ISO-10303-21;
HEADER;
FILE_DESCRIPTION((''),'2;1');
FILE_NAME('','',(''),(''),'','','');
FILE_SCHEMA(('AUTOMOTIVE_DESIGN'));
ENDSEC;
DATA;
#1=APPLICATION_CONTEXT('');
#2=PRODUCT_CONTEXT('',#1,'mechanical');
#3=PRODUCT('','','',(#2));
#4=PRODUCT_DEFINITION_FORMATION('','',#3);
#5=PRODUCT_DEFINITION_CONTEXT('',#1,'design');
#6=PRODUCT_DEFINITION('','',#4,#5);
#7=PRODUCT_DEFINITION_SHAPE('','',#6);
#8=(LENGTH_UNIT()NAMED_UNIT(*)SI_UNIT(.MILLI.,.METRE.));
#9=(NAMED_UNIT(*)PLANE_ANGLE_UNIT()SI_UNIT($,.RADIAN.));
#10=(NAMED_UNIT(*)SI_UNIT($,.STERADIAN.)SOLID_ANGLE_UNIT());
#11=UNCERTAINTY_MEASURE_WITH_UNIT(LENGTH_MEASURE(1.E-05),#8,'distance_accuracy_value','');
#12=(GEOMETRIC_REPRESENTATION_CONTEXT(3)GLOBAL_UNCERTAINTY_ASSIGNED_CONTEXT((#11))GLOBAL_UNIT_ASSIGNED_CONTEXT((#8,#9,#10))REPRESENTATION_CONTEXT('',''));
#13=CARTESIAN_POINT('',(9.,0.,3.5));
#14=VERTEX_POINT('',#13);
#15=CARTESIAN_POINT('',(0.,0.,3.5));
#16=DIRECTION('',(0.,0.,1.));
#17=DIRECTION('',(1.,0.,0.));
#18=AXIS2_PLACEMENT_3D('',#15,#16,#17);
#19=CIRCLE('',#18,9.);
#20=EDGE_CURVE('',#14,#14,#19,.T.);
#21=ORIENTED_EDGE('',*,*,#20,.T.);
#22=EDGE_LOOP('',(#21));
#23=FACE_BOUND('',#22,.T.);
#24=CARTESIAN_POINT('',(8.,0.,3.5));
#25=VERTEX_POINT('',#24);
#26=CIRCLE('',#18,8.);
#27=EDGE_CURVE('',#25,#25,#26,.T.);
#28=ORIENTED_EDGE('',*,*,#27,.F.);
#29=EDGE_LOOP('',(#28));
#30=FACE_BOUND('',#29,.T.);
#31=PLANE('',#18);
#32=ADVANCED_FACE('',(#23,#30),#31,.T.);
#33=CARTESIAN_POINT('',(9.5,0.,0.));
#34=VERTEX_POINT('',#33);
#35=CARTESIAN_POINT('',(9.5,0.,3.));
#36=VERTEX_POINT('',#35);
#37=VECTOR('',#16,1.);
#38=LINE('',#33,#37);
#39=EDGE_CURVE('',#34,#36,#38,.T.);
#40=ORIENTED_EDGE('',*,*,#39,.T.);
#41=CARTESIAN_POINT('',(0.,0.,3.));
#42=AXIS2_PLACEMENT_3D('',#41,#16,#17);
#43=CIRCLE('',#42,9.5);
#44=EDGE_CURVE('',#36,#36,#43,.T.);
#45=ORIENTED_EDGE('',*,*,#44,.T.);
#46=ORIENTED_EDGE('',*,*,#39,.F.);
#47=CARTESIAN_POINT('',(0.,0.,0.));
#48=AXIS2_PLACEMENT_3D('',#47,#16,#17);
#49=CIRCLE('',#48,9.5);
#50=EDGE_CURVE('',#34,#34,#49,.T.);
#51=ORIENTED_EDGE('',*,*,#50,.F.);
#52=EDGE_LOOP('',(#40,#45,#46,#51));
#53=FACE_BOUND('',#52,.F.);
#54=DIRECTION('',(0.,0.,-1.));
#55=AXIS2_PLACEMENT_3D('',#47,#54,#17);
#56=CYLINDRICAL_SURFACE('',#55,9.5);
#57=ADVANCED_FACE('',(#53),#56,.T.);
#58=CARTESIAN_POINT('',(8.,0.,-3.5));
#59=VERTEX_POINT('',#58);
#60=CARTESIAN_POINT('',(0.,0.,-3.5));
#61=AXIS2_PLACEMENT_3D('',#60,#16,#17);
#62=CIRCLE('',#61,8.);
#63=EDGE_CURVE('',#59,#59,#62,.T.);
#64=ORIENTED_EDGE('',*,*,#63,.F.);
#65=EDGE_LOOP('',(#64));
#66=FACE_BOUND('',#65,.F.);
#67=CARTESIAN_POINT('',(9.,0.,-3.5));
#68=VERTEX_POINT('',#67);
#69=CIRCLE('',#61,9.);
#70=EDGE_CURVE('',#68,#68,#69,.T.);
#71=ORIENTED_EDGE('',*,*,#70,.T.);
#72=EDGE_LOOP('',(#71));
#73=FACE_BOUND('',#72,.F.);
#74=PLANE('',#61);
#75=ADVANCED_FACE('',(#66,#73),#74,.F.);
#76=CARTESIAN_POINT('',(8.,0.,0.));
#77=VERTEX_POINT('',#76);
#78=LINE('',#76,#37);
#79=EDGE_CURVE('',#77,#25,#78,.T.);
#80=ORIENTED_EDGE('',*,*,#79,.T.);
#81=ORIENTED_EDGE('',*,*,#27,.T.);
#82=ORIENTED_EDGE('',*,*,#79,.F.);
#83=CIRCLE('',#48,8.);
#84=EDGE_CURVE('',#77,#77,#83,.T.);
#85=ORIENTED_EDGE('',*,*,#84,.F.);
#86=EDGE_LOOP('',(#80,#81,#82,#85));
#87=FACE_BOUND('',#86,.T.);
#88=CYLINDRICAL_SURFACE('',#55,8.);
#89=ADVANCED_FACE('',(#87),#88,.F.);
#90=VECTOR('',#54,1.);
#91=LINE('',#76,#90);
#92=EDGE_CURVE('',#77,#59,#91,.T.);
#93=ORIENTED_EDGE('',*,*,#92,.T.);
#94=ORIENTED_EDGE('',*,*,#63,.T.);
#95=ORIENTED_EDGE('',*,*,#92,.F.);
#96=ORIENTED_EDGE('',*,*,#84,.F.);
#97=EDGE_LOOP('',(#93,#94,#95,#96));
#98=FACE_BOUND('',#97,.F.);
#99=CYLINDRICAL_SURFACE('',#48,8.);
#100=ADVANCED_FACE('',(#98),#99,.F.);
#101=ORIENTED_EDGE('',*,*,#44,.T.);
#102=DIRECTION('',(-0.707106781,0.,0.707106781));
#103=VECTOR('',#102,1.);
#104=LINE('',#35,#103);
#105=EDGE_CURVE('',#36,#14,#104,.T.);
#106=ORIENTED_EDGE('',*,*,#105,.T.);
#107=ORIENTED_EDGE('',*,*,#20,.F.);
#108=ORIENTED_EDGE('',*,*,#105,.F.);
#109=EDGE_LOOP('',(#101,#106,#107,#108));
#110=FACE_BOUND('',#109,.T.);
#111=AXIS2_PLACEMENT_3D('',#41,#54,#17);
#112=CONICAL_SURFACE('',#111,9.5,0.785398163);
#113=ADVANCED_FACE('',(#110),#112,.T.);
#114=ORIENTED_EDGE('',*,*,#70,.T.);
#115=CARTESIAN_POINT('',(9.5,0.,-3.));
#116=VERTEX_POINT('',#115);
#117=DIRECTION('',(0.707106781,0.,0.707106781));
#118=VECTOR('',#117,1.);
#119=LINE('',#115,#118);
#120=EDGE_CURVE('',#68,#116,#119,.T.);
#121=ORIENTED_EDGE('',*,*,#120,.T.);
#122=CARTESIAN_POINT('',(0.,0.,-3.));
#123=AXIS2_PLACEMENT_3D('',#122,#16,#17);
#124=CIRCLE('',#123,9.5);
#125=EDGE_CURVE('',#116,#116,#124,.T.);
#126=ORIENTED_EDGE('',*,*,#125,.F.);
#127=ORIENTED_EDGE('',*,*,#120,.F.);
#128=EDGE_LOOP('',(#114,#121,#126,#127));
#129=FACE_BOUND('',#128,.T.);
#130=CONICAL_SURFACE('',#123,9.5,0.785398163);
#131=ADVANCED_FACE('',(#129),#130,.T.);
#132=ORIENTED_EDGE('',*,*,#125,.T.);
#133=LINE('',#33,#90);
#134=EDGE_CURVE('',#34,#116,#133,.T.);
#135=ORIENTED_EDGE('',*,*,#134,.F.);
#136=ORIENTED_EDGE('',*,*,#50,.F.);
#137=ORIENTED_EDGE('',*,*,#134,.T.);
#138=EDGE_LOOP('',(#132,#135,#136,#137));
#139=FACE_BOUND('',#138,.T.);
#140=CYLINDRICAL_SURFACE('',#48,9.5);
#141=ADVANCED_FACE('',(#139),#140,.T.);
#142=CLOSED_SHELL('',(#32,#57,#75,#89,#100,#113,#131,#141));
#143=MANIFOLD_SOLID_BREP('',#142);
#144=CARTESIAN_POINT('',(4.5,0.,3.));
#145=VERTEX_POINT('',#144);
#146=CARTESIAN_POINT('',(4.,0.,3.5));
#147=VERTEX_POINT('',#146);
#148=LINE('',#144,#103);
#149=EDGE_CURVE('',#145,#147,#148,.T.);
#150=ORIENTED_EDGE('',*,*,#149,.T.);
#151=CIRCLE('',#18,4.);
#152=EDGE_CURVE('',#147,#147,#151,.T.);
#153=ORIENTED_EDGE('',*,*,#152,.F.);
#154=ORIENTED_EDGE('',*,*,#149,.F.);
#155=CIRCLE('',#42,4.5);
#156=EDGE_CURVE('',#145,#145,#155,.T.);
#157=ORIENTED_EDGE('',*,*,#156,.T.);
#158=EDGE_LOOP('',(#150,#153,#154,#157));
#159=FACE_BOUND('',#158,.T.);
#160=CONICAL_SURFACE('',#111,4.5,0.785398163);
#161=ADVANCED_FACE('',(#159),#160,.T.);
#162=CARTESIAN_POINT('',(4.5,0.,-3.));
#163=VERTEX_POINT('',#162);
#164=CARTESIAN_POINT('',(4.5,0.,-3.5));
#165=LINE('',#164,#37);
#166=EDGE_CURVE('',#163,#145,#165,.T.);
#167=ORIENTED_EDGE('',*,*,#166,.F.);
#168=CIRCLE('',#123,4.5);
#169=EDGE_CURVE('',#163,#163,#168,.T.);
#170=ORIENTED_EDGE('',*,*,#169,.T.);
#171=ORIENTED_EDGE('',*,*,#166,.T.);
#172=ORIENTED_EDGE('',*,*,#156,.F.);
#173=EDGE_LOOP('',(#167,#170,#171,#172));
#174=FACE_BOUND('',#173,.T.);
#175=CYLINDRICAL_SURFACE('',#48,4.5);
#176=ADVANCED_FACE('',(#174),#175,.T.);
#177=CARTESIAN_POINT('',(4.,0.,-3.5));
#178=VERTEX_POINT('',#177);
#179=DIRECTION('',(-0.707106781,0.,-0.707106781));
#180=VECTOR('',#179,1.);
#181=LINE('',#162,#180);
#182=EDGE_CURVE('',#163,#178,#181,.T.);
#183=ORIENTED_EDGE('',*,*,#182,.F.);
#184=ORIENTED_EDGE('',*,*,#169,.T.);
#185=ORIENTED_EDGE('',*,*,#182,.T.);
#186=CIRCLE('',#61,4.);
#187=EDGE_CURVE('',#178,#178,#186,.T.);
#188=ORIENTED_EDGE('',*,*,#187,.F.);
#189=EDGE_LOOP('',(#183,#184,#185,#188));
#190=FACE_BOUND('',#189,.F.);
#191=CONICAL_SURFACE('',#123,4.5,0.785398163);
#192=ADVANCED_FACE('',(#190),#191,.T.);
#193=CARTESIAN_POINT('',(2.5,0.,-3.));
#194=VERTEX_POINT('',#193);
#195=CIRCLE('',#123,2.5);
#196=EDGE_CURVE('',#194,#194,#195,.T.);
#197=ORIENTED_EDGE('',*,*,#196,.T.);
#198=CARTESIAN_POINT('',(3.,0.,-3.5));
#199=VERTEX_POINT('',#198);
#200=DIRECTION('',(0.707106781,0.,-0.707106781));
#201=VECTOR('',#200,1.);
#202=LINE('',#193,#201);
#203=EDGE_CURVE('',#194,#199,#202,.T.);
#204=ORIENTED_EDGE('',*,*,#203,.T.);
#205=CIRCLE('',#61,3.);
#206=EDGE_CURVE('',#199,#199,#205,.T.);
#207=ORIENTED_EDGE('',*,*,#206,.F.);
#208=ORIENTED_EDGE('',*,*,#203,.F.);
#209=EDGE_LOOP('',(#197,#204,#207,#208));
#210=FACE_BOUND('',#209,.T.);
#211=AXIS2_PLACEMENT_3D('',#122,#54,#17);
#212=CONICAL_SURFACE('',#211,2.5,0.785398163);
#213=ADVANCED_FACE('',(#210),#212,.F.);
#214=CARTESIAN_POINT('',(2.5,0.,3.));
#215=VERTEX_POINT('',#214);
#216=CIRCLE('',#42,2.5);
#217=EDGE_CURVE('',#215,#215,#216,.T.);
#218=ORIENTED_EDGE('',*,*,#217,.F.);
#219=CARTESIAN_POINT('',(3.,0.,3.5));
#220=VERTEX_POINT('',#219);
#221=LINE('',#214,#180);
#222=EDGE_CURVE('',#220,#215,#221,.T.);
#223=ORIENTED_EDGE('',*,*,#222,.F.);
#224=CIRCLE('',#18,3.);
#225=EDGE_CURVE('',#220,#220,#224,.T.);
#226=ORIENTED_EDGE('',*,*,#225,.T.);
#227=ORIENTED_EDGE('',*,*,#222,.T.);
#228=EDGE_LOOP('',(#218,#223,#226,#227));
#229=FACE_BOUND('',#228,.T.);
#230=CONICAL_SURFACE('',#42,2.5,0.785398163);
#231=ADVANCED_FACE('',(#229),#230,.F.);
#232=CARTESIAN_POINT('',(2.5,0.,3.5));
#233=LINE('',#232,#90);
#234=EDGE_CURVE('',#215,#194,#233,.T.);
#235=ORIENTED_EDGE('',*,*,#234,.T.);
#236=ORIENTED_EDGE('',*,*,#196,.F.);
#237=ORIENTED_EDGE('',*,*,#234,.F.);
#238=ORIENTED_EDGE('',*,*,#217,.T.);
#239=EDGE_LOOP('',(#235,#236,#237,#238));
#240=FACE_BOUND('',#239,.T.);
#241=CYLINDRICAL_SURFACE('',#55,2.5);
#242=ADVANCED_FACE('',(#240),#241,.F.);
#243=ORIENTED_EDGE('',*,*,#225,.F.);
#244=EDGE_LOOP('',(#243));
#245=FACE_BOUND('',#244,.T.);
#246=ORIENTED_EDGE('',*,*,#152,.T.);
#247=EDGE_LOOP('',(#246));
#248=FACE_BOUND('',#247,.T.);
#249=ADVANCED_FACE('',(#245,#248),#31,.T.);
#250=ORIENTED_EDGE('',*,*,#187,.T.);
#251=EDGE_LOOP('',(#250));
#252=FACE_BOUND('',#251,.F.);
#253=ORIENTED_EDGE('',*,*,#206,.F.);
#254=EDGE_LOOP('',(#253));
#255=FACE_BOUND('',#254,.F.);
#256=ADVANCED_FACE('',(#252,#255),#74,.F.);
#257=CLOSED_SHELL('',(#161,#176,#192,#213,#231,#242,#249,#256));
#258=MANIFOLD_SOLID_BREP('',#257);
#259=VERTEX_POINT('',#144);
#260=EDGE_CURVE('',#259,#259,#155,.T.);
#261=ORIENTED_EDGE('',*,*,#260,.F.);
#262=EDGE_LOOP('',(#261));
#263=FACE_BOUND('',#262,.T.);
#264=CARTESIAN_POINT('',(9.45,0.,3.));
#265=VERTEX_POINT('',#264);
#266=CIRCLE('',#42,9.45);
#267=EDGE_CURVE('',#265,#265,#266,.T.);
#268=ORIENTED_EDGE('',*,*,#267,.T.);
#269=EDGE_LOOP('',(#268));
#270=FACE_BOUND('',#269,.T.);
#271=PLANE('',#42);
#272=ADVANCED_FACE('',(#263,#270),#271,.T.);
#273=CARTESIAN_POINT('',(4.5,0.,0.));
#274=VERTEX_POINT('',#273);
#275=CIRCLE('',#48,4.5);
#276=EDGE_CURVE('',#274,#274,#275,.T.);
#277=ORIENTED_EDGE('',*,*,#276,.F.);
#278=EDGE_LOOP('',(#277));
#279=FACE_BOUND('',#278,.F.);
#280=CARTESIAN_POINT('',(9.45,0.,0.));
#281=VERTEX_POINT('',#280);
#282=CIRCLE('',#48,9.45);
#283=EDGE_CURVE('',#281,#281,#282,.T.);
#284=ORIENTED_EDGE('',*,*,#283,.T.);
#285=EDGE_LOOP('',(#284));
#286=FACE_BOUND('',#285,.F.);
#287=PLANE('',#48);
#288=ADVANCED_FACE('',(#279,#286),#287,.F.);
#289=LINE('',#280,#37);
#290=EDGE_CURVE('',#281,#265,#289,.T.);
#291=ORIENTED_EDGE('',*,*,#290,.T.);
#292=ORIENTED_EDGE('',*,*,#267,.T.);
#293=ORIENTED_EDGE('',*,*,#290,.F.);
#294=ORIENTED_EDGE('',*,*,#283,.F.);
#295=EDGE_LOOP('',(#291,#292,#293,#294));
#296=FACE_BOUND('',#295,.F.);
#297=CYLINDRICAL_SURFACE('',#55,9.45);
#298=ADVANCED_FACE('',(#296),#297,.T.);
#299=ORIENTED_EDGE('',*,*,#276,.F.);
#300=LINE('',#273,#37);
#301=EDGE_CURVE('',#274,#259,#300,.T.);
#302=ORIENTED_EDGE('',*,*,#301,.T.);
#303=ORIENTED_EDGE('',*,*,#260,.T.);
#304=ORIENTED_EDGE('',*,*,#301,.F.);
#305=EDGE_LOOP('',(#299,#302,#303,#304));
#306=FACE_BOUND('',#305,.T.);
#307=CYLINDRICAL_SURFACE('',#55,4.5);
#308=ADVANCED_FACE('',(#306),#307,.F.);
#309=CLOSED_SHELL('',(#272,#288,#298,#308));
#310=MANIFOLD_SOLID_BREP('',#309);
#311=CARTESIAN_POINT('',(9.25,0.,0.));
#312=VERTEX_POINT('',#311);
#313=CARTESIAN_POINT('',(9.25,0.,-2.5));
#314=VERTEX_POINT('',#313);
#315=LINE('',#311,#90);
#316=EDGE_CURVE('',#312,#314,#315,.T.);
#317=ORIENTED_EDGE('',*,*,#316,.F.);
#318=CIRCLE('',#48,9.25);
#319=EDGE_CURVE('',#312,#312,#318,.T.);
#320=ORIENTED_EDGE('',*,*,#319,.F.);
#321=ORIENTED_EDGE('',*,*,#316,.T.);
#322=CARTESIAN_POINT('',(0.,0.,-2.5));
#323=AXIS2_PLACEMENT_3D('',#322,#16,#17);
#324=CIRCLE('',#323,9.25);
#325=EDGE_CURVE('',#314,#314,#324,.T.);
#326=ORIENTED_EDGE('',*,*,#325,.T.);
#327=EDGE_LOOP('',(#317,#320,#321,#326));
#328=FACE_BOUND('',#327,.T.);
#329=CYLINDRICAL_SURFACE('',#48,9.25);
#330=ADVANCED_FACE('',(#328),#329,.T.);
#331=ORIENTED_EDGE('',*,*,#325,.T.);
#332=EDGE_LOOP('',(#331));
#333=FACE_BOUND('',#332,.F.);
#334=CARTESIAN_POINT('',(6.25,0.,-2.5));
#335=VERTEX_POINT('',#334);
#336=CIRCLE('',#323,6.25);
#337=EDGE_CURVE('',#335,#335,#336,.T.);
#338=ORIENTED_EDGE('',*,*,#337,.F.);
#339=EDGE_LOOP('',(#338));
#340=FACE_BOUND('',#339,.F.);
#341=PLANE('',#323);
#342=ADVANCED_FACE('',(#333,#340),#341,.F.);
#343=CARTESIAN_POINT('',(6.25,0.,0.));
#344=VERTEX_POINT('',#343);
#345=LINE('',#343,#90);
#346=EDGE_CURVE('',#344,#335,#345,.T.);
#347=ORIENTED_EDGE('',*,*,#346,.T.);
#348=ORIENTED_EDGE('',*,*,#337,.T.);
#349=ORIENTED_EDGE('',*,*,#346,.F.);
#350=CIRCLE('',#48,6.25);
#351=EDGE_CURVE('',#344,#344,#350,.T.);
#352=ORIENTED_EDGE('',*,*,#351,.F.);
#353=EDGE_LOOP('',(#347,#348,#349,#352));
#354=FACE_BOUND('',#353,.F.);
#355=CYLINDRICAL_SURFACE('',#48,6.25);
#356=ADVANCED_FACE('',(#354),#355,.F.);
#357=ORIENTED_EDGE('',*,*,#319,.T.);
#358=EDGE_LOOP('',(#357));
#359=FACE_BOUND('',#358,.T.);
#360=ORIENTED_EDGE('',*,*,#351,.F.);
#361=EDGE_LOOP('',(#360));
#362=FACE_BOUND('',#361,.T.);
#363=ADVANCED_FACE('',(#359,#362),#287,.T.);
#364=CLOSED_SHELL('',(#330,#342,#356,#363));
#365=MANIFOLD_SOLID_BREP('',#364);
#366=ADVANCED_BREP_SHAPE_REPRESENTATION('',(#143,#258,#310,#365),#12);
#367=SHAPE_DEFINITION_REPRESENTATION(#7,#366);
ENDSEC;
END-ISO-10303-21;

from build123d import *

# Parameters (mm, degrees)
F0_R     = 9.5
F0_R_2   = 8
F0_R_3   = 4.5
F0_R_4   = 2.5
F1_DEPTH = 3.5
F2_R     = 9.25
F2_R_2   = 6.25
F3_DEPTH = 2.5
F4_R     = 9.45
F4_R_2   = 4.5
F5_DEPTH = 3
F6_SIZE  = 0.5


with BuildPart() as f1:
    # F0 (on Top) → F1 (new body, symmetric)
    with BuildSketch(Plane.XY):
        Circle(F0_R)
        Circle(F0_R_2, mode=Mode.SUBTRACT)
        Circle(F0_R_3)
        Circle(F0_R_4, mode=Mode.SUBTRACT)
    extrude(amount=F1_DEPTH, both=True)

    # F6
    f6_edges = [f1.edges().sort_by_distance(p)[0] for p in [
        (-9.5, 0, 3.5),
        (-9.5, 0, -3.5),
        (-4.5, 0, 3.5),
        (-2.5, 0, 3.5),
        (-4.5, 0, -3.5),
        (-2.5, 0, -3.5),
    ]]
    chamfer(f6_edges, length=F6_SIZE)


with BuildPart() as f3:
    # F2 (on Top) → F3 (new body)
    with BuildSketch(Plane.XY):
        Circle(F2_R)
        Circle(F2_R_2, mode=Mode.SUBTRACT)
    extrude(amount=-F3_DEPTH)


with BuildPart() as f5:
    # F4 (on Top) → F5 (new body)
    with BuildSketch(Plane.XY):
        Circle(F4_R)
        Circle(F4_R_2, mode=Mode.SUBTRACT)
    extrude(amount=F5_DEPTH)


solid = Compound([f1.part, f3.part, f5.part])
